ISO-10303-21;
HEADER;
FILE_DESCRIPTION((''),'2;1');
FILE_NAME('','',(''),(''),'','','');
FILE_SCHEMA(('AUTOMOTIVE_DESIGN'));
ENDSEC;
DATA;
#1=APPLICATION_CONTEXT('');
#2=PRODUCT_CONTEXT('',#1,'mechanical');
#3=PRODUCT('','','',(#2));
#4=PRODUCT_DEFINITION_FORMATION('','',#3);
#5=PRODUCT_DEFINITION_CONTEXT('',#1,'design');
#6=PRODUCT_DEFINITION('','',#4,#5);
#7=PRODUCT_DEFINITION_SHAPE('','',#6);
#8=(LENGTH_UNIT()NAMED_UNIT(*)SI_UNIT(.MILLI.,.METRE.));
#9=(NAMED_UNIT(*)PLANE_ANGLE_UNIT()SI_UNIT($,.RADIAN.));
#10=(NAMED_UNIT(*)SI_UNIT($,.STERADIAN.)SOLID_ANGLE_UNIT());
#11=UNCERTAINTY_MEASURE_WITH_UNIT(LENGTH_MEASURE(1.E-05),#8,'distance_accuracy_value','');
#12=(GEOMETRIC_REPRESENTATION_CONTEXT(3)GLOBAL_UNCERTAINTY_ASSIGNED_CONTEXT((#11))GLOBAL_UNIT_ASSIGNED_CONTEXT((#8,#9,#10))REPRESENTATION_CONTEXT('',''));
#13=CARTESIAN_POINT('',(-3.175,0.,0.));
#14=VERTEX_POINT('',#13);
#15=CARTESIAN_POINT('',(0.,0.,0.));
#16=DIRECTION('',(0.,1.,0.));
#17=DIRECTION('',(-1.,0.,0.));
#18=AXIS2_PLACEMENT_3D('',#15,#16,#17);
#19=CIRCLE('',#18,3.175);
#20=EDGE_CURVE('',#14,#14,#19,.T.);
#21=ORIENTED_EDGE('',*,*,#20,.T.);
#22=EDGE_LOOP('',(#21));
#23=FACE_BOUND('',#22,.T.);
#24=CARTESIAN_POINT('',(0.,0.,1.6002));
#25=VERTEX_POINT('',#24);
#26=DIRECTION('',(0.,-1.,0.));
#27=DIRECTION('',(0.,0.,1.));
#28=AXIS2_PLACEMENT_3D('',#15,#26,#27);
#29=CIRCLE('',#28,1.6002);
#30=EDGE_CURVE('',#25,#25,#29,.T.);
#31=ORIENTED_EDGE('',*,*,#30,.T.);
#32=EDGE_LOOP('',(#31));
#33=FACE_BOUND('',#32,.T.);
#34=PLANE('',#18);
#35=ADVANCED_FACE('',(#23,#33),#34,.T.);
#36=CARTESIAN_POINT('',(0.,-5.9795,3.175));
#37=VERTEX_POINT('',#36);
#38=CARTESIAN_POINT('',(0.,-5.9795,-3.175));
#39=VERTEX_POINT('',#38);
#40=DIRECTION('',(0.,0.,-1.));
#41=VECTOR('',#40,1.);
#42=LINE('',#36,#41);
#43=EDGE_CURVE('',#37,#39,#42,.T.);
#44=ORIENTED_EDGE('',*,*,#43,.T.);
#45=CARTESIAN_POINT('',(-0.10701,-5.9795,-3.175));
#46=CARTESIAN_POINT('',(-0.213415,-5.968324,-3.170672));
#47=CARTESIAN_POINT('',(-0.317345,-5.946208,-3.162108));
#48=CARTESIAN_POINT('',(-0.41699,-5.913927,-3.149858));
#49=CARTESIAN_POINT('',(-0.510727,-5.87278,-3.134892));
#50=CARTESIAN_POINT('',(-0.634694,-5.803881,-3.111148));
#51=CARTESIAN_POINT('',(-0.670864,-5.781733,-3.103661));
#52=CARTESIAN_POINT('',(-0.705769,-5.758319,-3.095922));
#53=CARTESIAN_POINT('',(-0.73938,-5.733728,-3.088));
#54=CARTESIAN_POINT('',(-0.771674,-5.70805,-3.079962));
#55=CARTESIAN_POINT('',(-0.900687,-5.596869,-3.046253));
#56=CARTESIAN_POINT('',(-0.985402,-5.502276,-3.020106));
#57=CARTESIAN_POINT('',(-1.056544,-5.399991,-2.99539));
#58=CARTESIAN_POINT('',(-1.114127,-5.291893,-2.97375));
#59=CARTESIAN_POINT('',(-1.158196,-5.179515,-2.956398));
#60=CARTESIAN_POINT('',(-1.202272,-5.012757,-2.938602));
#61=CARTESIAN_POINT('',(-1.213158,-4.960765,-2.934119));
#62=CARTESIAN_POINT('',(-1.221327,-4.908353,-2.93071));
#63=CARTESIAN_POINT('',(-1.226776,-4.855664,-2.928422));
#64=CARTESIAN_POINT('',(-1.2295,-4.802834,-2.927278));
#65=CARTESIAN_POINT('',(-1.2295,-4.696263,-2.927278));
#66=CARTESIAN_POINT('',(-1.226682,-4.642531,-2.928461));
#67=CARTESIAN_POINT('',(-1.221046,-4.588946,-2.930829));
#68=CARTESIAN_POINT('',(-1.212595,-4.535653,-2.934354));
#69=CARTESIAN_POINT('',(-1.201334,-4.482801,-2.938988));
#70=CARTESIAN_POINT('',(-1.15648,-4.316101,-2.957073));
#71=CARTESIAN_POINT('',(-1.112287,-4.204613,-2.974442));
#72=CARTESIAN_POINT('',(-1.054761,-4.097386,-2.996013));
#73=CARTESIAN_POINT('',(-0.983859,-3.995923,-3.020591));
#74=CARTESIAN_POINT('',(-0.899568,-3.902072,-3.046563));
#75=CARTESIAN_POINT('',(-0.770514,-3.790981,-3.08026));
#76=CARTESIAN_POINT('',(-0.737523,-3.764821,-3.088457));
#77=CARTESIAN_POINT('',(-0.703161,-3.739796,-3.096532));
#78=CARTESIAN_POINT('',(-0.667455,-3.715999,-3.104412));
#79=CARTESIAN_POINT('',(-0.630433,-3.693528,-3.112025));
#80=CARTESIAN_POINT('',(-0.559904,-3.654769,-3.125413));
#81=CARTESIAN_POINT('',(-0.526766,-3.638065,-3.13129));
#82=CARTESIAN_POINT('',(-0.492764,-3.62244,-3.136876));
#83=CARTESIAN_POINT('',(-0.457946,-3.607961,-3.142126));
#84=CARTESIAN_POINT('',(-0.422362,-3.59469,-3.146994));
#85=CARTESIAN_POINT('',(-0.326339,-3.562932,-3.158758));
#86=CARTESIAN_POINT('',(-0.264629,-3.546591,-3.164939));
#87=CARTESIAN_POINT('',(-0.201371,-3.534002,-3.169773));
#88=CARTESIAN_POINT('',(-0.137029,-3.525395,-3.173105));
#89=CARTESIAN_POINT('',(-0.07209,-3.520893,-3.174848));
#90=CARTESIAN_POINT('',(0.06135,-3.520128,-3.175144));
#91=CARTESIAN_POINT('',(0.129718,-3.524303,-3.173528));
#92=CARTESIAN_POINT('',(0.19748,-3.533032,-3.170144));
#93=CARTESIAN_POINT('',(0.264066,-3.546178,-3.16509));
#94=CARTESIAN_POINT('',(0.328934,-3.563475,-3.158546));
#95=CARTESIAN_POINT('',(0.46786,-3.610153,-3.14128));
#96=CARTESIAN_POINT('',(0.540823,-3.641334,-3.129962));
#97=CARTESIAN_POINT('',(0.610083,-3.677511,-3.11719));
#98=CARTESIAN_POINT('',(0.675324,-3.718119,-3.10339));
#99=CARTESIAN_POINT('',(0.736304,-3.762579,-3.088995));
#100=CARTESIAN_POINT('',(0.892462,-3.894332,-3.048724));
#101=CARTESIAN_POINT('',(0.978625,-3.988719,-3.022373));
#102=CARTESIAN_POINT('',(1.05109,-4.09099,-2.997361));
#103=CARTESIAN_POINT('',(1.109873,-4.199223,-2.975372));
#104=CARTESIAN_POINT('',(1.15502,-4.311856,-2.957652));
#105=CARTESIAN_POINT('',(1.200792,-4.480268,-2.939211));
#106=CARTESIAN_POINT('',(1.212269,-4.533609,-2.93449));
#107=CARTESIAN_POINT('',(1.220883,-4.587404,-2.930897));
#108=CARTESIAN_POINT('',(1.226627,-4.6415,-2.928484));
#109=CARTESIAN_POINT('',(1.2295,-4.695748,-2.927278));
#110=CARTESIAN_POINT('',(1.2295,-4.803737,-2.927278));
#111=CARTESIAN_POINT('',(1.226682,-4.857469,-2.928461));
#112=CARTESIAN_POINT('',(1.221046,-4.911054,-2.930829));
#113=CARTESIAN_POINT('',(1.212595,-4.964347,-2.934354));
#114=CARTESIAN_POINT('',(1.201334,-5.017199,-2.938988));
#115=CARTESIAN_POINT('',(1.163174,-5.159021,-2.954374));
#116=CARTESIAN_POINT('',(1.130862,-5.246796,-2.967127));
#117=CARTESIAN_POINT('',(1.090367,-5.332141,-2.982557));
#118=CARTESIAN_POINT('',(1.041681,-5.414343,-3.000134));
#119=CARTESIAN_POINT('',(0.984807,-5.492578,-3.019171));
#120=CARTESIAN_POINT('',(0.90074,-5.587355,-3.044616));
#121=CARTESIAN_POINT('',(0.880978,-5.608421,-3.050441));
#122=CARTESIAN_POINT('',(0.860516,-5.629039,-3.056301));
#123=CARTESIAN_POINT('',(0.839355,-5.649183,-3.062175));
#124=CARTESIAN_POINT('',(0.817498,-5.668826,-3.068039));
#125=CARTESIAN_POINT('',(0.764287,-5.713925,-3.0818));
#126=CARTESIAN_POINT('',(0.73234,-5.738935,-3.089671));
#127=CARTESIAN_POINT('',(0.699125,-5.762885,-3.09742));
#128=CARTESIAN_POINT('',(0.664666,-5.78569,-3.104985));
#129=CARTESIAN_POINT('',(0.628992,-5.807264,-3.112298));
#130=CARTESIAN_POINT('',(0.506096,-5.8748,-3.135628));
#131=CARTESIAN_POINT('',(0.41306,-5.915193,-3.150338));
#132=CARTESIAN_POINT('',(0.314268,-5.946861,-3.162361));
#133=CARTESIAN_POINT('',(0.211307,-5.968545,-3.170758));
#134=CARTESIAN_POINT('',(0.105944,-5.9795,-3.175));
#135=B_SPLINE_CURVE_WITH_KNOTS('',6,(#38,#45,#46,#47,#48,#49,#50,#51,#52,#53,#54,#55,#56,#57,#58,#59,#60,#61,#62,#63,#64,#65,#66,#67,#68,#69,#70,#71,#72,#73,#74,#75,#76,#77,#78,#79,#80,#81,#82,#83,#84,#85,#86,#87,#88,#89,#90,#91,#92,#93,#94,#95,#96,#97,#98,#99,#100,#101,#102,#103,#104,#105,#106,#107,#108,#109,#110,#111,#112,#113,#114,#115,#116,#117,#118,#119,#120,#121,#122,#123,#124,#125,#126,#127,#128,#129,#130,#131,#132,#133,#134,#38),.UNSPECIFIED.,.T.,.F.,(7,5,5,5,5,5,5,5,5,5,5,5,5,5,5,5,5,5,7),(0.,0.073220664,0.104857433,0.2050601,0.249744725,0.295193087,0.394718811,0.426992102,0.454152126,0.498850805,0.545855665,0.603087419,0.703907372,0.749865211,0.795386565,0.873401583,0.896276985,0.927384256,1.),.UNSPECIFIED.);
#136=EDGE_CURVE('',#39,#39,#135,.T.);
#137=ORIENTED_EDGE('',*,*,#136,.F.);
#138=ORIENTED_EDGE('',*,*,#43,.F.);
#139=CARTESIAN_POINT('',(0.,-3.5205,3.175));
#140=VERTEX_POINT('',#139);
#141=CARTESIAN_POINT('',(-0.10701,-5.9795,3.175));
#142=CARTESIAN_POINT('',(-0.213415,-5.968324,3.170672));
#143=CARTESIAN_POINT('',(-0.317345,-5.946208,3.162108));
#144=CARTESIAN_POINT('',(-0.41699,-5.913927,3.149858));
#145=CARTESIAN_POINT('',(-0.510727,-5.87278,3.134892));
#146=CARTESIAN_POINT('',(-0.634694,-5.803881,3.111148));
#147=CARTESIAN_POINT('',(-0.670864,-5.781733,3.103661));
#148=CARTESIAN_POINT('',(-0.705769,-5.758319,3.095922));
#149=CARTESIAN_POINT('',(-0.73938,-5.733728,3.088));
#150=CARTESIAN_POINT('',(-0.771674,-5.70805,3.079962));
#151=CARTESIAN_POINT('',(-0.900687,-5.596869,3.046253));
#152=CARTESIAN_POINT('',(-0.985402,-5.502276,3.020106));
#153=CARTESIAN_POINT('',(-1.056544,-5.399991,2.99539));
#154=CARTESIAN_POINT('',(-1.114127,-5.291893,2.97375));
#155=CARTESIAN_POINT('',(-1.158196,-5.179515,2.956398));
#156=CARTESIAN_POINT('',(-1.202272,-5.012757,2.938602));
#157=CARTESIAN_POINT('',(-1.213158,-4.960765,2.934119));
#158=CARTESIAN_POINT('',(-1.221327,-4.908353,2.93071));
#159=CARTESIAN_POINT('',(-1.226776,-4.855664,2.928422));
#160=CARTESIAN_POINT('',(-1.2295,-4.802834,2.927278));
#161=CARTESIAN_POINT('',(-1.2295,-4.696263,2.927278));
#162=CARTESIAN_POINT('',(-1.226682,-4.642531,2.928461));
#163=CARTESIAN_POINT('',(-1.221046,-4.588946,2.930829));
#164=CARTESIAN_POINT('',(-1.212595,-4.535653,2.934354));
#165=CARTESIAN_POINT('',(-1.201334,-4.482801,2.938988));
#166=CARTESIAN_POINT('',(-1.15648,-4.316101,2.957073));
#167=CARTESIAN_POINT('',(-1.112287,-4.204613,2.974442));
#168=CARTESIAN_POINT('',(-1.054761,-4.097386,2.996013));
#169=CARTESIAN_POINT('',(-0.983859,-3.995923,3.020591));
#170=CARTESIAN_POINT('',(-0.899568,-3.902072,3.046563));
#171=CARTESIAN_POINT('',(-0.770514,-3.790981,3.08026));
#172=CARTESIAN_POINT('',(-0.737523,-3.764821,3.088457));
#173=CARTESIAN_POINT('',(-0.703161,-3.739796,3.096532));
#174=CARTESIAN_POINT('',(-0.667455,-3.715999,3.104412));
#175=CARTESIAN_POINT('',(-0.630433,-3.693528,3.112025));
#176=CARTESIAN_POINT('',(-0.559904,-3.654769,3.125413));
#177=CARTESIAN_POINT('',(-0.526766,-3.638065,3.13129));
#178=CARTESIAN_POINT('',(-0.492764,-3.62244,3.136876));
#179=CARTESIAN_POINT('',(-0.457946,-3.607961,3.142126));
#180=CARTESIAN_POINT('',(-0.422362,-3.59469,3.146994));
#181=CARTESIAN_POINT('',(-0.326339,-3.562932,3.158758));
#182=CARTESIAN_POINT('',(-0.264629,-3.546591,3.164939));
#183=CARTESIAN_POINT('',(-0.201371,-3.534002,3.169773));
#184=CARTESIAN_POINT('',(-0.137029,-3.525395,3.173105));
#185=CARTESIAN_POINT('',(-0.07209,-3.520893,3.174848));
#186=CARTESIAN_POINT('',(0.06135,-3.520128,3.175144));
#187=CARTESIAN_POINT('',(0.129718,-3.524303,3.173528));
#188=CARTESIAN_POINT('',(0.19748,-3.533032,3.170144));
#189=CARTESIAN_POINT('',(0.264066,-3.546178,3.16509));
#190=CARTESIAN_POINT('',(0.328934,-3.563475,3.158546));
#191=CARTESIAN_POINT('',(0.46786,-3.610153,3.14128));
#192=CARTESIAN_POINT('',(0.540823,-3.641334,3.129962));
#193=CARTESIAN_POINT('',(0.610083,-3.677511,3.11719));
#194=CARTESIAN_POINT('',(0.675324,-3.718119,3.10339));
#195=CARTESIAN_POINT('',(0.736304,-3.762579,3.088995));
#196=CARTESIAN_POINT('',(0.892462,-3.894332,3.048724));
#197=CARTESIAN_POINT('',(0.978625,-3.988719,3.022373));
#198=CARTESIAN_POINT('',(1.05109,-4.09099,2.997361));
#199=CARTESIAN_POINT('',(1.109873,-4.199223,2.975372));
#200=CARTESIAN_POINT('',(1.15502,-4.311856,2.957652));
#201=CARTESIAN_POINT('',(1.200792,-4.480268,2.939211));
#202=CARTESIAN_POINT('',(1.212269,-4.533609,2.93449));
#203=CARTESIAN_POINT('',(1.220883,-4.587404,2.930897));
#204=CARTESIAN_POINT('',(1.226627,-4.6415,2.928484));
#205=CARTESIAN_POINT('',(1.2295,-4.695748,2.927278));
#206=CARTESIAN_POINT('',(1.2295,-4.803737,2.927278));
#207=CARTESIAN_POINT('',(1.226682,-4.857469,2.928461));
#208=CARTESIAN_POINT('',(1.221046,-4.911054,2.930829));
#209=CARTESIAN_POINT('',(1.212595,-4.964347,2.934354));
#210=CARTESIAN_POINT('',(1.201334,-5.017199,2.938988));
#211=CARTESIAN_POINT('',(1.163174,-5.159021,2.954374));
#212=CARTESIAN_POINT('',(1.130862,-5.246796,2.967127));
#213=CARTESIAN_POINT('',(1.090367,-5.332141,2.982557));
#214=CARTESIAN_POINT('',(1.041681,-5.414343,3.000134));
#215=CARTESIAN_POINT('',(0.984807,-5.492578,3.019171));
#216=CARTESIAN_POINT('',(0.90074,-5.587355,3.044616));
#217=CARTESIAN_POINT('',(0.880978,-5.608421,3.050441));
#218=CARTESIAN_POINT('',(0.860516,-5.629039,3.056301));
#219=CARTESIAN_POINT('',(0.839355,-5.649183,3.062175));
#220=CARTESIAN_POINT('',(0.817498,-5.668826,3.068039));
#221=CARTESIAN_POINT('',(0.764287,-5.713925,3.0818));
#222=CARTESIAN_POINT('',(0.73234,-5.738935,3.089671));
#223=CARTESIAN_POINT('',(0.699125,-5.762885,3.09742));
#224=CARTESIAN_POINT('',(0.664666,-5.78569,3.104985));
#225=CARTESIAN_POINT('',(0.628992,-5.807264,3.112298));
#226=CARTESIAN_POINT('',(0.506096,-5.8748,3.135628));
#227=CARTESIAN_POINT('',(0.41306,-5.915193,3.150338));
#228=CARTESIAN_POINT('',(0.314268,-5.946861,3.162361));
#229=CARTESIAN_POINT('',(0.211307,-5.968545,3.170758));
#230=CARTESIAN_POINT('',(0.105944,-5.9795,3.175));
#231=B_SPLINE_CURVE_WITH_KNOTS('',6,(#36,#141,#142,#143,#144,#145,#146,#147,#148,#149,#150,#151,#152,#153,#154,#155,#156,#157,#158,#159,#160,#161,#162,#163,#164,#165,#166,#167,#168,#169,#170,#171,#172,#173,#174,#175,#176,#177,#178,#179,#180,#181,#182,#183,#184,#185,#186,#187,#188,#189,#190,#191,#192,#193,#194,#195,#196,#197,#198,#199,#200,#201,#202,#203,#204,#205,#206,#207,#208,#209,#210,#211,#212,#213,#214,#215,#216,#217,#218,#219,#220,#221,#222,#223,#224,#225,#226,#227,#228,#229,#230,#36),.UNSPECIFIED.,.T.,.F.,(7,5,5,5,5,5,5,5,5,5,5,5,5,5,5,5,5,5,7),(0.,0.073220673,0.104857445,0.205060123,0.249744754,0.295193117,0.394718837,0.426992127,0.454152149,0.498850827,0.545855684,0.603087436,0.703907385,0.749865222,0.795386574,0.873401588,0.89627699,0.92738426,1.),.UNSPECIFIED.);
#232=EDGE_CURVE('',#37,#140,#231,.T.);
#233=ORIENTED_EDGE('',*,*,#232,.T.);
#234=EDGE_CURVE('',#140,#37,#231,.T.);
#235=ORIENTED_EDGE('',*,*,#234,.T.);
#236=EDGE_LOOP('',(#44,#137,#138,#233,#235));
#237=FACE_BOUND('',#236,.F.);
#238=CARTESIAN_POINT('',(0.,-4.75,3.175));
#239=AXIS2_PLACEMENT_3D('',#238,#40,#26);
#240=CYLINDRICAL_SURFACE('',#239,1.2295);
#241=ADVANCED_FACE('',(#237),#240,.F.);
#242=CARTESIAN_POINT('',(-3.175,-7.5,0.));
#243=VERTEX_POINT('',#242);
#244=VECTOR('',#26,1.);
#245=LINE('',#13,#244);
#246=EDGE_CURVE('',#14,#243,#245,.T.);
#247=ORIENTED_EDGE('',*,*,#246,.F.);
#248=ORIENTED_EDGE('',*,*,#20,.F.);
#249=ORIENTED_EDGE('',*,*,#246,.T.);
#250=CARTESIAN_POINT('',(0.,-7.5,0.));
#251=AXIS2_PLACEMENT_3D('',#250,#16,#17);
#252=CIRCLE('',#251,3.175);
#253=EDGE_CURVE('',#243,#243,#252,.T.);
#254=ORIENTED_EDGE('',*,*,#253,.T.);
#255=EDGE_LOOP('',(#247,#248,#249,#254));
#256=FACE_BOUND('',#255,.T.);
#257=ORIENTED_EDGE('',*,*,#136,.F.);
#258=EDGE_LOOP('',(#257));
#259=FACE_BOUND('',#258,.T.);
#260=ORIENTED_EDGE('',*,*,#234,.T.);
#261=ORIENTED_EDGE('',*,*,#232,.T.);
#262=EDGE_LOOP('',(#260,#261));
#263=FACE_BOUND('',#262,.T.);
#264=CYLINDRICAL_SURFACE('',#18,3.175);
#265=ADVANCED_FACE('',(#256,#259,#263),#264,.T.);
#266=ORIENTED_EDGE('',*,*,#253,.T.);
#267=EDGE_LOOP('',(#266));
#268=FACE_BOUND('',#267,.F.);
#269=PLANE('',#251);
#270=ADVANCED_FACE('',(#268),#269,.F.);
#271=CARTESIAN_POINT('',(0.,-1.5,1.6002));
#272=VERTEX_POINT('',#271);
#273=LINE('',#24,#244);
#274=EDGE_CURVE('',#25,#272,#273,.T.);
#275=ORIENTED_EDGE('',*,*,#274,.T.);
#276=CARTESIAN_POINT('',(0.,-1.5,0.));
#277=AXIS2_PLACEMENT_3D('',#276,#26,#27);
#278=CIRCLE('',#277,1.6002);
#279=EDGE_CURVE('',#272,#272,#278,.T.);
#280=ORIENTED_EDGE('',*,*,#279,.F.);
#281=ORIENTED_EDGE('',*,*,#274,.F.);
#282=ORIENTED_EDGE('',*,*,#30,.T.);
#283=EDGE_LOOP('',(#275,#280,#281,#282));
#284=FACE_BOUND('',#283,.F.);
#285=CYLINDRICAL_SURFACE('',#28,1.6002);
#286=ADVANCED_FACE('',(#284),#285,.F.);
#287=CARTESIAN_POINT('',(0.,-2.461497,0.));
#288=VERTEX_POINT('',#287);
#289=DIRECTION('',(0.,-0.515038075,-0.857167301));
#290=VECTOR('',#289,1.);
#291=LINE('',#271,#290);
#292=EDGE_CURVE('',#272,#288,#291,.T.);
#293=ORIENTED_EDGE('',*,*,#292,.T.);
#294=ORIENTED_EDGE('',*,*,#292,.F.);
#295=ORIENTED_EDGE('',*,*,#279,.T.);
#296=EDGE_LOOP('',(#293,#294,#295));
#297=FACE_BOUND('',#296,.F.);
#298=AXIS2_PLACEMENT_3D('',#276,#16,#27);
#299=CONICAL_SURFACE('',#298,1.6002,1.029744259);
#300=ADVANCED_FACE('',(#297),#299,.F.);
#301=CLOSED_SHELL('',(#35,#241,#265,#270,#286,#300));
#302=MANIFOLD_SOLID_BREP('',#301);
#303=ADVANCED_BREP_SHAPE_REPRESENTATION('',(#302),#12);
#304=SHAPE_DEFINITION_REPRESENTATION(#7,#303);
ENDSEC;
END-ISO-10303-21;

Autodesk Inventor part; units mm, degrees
ref_plane "YZ Plane" through (0, 0, 0) normal (1, 0, 0) x (0, 1, 0)
ref_plane "XZ Plane" through (0, 0, 0) normal (0, 1, 0) x (-1, 0, 0)
sketch "Sketch1" plane through (0, 0, 0) normal (0, 1, 0) x (-1, 0, 0)
  circle A0 centre (0, 0) radius 3.175
  circle A1 centre (0, 0) radius 1.5
  dimension "d0" = 6.35
  dimension "d1" = 3
extrude "Extrusion1" add sketch "Sketch1" against normal blind 7.5 contours A0 | A1
hole "Hole1" at (0, 0, 0) direction (0, -1, 0) diameter 3.2004 depth 1.5 tip angle 118 clearance for "Socket Head Cap Screw" size "M3" standard "Ansi Metric M Profile"
ref_plane "Work Plane1" through (0, 0, 3.175) normal (0, 0, 1) x (1, 0, 0)
sketch "Sketch2" plane through (0, 0, 3.175) normal (0, 0, 1) x (1, 0, 0)
  line L0 (-3.175, -7.5) -> (3.175, -7.5) projected
  line L1 (3.175, 0) -> (-3.175, 0) projected
  line L2 (-3.175, 0) -> (-3.175, -7.5) projected
  line L3 (-3.175, -2) -> (3.175, -2) construction
  circle A0 centre (0, -4.75) radius 1.5
  dimension "d11" = 2
  dimension "d12" = 3
  dimension "d13" = 2.75
  dimension "d14" = 3.175
hole "Hole2" at (0, -4.75, 3.175) direction (0, 0, -1) diameter 2.459 end through all thread size "M3x0.5" class "6H" standard "ANSI Metric M Profile"
properties part number "Bearing Nut" material "Aluminum 6061"
